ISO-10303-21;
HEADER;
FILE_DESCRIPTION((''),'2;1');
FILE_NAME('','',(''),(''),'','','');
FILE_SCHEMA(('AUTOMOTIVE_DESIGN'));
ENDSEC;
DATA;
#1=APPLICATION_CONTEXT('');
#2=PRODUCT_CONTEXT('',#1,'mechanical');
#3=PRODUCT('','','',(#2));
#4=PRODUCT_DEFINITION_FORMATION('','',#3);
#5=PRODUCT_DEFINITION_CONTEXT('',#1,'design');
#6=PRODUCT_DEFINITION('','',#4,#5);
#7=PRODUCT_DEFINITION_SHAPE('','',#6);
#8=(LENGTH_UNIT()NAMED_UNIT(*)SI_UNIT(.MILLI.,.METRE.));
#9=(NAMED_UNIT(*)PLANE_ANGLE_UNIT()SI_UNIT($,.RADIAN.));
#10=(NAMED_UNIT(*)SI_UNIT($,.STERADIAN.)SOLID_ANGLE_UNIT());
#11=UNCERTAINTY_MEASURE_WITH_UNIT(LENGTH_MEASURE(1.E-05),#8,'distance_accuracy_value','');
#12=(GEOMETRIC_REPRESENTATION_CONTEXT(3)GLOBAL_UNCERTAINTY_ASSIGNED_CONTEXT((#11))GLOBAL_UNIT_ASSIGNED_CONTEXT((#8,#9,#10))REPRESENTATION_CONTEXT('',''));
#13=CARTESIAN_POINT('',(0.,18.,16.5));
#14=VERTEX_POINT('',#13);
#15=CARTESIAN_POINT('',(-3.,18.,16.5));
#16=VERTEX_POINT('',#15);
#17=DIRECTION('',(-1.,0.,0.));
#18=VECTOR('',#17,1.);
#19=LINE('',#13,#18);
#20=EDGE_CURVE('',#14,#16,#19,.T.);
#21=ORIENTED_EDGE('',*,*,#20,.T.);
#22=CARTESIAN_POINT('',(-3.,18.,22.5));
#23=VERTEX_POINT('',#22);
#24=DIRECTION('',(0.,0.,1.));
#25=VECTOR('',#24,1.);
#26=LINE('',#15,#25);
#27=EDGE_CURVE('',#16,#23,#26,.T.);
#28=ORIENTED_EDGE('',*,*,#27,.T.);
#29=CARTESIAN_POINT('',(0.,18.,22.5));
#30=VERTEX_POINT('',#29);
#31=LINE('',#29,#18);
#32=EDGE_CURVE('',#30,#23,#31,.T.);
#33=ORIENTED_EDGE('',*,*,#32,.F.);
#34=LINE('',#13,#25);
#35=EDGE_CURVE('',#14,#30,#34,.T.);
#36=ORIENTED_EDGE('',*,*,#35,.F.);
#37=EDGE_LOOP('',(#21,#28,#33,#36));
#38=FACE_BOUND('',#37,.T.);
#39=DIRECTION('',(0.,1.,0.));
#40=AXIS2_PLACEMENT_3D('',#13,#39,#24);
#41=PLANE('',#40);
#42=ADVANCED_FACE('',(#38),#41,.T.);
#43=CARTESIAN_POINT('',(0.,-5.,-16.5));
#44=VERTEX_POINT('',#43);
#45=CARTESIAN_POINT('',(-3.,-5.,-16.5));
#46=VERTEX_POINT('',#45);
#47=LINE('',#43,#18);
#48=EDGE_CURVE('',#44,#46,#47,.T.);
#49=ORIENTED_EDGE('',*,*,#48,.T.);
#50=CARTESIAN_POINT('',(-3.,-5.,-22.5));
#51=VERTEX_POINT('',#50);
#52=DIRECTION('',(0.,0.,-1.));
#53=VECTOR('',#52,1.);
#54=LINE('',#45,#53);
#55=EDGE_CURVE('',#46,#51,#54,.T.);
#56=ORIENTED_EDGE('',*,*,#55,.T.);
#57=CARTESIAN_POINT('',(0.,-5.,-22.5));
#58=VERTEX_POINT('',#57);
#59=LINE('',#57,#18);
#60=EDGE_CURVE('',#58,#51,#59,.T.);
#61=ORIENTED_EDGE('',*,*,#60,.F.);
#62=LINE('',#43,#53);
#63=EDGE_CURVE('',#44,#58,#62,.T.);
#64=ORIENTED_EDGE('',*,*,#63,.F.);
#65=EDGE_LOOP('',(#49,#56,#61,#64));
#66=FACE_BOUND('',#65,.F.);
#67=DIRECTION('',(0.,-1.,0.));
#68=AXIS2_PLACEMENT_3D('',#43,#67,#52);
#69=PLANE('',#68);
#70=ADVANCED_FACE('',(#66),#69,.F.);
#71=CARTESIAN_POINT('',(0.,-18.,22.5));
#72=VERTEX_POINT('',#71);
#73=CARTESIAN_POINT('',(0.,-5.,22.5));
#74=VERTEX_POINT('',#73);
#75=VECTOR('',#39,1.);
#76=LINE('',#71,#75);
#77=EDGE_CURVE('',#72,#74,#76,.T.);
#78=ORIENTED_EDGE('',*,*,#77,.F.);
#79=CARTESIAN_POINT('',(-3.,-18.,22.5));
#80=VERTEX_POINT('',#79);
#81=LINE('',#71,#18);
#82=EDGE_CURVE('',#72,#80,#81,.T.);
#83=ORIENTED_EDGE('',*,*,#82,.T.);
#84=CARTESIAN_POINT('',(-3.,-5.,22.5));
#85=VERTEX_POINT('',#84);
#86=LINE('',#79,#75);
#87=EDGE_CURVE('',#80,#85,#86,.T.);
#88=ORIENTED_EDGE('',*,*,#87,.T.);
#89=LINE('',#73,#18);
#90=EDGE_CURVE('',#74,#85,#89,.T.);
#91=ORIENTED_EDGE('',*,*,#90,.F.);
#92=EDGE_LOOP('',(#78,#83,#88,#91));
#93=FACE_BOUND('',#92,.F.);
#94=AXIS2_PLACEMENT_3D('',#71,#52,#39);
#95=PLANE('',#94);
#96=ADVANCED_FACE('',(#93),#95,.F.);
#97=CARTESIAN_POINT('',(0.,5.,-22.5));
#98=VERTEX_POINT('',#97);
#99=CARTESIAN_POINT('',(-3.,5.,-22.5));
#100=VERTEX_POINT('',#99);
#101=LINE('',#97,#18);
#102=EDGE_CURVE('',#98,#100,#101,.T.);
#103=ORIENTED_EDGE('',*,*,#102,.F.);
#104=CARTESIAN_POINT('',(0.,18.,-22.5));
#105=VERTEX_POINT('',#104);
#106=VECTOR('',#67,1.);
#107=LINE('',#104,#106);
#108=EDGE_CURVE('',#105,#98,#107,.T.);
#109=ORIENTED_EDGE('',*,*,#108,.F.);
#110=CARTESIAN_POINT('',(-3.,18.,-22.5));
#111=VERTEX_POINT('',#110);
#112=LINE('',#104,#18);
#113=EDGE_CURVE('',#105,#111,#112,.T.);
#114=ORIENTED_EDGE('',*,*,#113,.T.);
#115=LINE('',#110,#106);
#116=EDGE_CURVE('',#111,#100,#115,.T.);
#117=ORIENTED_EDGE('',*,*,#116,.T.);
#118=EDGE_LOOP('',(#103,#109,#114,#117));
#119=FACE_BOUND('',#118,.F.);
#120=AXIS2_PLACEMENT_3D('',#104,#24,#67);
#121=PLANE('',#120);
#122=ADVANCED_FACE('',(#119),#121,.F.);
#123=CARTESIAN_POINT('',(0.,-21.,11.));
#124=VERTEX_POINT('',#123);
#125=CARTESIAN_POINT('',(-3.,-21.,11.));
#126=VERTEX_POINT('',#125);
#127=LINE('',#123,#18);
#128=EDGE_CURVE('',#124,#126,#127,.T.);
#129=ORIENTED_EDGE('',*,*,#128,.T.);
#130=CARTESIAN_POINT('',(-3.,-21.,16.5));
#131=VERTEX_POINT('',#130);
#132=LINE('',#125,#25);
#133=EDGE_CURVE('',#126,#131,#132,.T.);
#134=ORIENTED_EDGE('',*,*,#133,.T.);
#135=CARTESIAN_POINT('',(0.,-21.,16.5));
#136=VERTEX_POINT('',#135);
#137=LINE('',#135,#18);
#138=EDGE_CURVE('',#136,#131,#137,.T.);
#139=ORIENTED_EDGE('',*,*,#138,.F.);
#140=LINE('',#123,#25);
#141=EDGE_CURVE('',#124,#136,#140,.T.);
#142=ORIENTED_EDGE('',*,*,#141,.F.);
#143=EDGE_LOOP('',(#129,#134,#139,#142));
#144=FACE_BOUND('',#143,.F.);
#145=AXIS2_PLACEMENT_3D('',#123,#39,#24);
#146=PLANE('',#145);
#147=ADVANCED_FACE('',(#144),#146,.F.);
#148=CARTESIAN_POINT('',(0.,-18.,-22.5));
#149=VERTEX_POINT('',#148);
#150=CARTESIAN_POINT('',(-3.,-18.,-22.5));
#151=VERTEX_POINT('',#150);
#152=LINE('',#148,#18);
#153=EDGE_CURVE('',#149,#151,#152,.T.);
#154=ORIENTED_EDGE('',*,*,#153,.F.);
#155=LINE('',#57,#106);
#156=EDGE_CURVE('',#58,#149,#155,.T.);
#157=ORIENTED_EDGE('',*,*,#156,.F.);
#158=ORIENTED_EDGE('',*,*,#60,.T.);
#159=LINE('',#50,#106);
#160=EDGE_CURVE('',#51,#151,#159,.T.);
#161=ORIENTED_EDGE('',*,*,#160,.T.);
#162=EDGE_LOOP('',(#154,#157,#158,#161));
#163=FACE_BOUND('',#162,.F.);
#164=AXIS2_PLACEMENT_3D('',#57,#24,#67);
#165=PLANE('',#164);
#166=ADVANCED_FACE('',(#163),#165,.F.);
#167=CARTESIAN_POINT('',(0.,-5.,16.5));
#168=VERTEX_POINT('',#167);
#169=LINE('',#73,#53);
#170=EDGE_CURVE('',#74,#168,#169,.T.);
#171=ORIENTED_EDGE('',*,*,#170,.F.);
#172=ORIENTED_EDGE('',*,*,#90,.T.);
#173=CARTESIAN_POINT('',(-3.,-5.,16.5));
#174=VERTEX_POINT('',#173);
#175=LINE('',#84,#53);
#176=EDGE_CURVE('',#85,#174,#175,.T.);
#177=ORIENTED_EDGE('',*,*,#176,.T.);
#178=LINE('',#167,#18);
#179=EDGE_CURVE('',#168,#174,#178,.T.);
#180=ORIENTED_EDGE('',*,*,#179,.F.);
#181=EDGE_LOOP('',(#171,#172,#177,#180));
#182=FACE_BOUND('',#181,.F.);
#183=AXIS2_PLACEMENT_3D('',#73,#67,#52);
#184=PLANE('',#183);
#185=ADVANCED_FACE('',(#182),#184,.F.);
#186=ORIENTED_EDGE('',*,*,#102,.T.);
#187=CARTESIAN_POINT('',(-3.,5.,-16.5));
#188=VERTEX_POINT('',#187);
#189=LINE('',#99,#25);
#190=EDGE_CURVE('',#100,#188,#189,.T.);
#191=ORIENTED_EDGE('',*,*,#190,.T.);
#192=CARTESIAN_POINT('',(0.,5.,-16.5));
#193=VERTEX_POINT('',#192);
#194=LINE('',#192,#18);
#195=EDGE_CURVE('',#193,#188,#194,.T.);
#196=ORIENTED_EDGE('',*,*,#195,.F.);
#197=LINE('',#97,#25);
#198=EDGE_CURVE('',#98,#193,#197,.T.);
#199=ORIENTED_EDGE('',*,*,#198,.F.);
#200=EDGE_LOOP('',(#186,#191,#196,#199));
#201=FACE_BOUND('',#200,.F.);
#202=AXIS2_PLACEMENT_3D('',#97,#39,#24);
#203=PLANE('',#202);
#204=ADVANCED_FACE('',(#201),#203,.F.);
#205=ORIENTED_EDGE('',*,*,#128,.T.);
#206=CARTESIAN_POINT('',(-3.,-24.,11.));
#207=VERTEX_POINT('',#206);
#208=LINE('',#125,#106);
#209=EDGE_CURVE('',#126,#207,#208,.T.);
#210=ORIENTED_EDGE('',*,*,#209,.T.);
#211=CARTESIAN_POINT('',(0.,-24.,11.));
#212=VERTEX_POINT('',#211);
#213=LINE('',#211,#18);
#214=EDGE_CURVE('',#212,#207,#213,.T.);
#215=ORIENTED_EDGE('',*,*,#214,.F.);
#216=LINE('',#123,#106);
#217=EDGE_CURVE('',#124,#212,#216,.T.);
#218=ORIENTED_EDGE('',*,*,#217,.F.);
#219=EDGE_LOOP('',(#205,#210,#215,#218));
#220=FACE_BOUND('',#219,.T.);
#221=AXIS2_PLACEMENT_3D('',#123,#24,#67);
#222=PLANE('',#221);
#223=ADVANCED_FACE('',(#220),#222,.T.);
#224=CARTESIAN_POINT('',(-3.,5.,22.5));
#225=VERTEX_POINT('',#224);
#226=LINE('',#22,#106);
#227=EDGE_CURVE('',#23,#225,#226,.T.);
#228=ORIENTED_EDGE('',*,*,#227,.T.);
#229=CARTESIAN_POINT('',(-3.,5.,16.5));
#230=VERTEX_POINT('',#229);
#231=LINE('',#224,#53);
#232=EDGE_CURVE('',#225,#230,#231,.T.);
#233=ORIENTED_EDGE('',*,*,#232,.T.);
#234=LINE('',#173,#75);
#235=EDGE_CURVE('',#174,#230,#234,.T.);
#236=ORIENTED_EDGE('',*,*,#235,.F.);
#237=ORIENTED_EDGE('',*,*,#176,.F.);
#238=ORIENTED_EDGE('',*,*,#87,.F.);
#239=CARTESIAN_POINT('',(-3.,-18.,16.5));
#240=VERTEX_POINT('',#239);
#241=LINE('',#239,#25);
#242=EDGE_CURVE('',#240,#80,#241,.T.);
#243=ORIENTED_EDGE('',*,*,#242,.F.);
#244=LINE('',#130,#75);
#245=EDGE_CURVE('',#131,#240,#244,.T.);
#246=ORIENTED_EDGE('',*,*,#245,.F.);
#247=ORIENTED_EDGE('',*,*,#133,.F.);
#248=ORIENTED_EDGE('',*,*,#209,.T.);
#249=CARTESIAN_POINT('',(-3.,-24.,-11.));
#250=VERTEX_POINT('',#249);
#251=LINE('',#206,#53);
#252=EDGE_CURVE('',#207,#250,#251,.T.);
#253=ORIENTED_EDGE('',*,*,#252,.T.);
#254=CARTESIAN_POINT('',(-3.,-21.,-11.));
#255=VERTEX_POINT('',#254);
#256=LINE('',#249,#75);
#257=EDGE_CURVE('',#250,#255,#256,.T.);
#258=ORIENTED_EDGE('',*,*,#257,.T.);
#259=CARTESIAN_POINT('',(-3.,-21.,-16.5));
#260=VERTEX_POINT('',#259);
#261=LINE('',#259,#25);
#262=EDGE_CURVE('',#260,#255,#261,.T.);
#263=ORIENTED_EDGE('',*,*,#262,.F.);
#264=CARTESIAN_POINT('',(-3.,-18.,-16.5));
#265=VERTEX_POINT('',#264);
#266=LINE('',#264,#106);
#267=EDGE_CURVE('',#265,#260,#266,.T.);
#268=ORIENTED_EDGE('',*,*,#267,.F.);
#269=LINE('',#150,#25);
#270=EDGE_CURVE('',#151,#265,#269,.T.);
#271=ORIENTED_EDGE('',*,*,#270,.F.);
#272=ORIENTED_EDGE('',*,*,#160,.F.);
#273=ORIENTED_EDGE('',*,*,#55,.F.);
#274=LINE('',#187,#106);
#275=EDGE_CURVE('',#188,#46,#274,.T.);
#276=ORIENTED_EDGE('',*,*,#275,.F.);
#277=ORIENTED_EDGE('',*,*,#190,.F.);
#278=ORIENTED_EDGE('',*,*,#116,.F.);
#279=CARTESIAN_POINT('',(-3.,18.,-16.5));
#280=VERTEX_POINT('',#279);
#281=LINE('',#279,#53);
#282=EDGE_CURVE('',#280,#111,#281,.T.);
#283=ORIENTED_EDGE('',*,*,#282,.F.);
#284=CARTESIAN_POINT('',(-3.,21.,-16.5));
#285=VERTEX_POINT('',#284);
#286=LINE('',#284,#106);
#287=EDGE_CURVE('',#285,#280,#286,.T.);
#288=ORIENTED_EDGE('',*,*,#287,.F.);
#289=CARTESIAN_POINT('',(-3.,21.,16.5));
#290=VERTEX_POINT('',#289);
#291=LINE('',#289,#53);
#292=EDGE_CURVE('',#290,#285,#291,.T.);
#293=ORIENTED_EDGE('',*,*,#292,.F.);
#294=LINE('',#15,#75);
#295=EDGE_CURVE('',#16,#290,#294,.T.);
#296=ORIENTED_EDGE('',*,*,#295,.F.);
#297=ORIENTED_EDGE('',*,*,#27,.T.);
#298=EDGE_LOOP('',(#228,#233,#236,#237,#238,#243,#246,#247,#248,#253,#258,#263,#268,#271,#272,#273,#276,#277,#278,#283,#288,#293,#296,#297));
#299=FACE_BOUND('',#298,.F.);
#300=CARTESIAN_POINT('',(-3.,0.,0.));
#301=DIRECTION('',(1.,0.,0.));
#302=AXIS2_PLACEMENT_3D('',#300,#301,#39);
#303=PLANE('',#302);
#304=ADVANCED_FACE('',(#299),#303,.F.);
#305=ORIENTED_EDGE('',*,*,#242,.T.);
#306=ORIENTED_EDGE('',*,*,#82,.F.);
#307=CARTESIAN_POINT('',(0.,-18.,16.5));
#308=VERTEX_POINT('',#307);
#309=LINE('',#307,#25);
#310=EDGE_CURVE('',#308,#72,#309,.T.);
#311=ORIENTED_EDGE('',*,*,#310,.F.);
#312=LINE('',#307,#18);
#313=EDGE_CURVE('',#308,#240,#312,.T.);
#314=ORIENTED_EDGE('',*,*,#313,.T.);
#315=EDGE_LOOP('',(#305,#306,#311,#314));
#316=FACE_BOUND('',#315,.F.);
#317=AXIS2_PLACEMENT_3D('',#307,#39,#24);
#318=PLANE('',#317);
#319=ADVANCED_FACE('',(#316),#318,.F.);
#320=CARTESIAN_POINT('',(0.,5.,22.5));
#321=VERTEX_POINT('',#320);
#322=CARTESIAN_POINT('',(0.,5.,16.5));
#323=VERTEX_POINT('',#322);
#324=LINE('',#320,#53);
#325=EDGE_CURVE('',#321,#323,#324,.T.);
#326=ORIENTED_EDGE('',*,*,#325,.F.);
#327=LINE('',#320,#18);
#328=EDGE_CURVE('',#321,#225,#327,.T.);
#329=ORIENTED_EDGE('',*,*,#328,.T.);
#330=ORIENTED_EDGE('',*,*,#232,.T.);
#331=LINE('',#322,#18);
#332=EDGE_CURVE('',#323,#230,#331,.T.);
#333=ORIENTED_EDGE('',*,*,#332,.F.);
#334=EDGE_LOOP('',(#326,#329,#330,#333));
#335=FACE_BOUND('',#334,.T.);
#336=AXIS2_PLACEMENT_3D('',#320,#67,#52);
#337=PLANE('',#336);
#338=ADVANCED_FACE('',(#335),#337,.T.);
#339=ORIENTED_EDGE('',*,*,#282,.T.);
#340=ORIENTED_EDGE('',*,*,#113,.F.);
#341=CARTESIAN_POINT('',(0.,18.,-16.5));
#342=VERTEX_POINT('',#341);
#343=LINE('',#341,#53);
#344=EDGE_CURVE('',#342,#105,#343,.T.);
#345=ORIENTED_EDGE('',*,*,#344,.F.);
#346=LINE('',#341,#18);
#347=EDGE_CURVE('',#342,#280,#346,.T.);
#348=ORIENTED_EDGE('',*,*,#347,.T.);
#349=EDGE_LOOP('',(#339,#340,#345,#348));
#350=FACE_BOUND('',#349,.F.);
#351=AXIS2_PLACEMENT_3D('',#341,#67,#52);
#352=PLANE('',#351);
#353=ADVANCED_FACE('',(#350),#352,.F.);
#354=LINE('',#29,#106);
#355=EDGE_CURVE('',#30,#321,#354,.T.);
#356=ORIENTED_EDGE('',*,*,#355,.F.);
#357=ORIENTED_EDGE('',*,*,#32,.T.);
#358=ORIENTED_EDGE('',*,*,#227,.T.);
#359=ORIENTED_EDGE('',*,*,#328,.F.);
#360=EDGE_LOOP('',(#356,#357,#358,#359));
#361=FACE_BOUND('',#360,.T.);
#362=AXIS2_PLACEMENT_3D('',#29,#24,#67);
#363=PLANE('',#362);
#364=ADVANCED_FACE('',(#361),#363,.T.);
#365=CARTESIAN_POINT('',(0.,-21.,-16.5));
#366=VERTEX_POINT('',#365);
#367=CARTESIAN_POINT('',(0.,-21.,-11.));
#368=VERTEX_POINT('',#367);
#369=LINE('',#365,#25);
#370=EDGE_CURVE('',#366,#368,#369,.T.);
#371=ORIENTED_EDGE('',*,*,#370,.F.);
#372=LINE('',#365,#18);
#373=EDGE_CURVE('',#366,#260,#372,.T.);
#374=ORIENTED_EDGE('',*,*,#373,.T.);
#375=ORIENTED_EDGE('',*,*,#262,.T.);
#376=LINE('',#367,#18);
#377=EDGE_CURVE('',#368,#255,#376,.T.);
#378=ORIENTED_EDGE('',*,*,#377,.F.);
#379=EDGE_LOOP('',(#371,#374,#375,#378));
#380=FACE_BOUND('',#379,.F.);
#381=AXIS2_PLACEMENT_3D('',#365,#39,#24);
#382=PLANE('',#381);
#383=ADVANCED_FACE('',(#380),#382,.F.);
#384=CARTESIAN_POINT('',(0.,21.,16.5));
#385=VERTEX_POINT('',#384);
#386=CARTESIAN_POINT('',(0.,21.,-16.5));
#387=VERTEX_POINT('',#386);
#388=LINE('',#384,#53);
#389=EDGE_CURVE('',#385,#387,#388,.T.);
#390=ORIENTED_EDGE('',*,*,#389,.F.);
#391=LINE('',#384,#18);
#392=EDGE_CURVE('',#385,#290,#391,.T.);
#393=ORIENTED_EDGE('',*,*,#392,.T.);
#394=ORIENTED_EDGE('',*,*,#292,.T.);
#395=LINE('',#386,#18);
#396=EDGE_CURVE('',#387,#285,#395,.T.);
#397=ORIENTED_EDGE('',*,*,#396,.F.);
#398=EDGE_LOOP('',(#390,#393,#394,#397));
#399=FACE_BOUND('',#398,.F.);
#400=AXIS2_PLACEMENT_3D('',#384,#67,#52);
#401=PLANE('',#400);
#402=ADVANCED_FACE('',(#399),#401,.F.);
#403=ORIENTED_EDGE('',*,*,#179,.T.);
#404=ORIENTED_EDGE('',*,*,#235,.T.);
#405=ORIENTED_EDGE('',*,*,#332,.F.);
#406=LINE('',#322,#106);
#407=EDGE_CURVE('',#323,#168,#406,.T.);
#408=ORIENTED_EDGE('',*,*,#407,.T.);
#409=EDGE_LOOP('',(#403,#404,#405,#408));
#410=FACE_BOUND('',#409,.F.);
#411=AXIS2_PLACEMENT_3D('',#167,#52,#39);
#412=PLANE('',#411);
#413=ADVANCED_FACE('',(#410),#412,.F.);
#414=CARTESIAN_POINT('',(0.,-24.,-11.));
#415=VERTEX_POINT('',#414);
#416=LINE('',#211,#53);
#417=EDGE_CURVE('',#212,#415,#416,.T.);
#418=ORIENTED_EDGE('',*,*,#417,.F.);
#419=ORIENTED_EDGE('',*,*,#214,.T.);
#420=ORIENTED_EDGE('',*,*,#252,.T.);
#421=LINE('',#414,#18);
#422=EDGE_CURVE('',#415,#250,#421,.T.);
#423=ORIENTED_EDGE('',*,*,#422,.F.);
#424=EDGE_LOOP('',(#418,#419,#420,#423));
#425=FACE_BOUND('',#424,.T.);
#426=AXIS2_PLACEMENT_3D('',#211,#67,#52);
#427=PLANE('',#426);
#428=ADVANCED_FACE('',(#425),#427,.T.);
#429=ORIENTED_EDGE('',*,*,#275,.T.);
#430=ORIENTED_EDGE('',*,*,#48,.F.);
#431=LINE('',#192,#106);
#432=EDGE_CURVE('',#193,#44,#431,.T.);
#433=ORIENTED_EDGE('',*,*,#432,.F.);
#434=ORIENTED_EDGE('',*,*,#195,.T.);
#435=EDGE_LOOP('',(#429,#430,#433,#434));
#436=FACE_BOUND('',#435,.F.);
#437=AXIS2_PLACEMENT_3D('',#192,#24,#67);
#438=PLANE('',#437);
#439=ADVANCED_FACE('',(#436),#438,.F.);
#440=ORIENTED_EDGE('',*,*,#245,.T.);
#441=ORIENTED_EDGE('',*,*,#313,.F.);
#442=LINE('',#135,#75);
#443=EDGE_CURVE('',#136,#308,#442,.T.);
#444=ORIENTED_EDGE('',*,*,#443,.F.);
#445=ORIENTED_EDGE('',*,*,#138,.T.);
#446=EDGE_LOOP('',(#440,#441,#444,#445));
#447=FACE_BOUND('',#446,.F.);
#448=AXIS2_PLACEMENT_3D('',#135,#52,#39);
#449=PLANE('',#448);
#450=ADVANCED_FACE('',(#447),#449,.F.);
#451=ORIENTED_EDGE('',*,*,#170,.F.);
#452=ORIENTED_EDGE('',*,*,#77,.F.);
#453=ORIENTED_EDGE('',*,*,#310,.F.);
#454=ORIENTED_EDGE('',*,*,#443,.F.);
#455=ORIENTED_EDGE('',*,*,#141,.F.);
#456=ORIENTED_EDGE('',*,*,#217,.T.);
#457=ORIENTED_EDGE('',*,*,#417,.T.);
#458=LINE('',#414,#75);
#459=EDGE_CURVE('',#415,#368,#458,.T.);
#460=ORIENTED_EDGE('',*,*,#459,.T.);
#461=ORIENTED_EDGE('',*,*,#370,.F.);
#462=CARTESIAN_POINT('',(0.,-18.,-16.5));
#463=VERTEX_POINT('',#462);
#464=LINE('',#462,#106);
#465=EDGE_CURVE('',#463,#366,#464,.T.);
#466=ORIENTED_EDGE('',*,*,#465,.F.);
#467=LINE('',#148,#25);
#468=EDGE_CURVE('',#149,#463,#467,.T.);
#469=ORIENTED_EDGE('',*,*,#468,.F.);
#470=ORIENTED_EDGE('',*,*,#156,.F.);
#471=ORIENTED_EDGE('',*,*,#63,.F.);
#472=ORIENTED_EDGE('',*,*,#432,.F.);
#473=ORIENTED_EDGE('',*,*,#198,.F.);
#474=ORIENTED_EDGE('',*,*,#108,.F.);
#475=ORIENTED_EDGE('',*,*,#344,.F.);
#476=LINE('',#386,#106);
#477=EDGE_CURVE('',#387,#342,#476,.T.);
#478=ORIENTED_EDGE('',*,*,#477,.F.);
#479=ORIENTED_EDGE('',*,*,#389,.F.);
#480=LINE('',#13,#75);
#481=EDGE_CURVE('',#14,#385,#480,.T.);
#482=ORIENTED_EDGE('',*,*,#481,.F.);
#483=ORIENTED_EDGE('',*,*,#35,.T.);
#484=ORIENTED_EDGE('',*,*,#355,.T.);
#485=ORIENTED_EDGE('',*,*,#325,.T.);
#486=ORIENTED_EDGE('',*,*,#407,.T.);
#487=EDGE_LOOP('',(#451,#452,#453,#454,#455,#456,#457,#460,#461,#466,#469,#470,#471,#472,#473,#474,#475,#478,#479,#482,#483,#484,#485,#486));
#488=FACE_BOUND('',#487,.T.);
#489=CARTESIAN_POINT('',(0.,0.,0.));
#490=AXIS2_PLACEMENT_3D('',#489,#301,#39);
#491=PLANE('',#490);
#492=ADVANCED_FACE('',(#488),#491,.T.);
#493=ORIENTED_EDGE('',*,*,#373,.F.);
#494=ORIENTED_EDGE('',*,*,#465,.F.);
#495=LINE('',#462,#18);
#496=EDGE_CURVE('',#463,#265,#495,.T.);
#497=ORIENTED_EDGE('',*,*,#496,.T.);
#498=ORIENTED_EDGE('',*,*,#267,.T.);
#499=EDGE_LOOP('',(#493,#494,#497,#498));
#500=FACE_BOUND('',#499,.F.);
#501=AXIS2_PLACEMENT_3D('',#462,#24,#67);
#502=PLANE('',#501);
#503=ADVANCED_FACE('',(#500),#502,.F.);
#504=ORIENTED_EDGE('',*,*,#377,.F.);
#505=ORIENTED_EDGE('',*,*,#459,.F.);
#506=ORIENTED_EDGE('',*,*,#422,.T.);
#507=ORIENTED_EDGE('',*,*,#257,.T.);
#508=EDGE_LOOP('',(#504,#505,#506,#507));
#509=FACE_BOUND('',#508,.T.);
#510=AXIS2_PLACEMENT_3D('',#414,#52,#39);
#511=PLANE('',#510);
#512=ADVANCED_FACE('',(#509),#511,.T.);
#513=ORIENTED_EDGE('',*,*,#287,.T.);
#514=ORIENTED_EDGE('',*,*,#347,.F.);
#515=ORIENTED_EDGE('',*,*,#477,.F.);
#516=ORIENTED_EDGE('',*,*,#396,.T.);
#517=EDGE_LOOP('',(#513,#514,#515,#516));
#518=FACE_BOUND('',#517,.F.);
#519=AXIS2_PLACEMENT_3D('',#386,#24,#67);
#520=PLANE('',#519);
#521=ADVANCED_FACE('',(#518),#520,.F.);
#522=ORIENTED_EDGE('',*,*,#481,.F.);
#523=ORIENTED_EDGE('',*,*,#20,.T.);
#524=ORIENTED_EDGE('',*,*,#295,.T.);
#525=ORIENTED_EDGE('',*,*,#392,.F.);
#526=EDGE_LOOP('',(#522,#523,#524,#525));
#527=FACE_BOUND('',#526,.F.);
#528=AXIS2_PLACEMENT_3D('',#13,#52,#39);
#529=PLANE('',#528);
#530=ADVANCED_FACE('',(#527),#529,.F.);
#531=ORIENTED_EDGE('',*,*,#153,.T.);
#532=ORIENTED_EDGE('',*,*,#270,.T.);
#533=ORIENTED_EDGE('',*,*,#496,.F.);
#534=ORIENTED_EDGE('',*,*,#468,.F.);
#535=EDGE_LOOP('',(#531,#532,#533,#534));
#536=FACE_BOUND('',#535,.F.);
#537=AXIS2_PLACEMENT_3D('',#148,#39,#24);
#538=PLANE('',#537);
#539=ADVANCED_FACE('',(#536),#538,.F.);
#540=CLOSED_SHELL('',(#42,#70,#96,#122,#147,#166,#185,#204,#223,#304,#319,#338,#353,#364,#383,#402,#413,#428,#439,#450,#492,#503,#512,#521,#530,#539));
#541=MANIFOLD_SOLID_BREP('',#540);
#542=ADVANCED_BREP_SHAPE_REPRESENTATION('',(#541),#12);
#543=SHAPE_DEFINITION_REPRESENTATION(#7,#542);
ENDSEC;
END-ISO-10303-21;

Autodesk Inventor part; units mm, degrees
ref_plane "YZ Plane" through (0, 0, 0) normal (1, 0, 0) x (0, 1, 0)
ref_plane "XZ Plane" through (0, 0, 0) normal (0, 1, 0) x (-1, 0, 0)
ref_plane "XY Plane" through (0, 0, 0) normal (0, 0, 1) x (1, 0, 0)
sketch "Sketch2" plane through (0, 0, 0) normal (1, 0, 0) x (0, 1, 0)
  line L0 (21, -16.5) -> (18, -16.5)
  line L1 (-21, -16.5) -> (-21, -11)
  line L2 (-21, 16.5) -> (-18, 16.5)
  line L3 (21, 16.5) -> (21, -16.5)
  line L4 (21, -16.5) -> (-21, 16.5) construction
  line L5 (-21, -16.5) -> (21, 16.5) construction
  line L6 (0, -31.5) -> (0, 31.5) construction
  line L7 (-33, 0) -> (30, 0) construction
  line L8 (18, 16.5) -> (18, 22.5)
  line L9 (18, 22.5) -> (5, 22.5)
  line L10 (5, 22.5) -> (5, 16.5)
  line L11 (18, 16.5) -> (21, 16.5)
  line L12 (5, 16.5) -> (18, 16.5)
  line L13 (0, 16.5) -> (5, 16.5)
  line L14 (-18, 16.5) -> (-18, 22.5)
  line L15 (-18, 22.5) -> (-5, 22.5)
  line L16 (-5, 22.5) -> (-5, 16.5)
  line L17 (18, -16.5) -> (5, -16.5)
  line L18 (5, -16.5) -> (-5, -16.5)
  line L19 (-5, -16.5) -> (-18, -16.5)
  line L20 (-18, -16.5) -> (-21, -16.5)
  line L21 (-18, 16.5) -> (-5, 16.5)
  line L22 (-5, 16.5) -> (0, 16.5)
  line L23 (-21, 11) -> (-24, 11)
  line L24 (-24, 11) -> (-24, -11)
  line L25 (-24, -11) -> (-21, -11)
  line L26 (-21, 11) -> (-21, 16.5)
  line L27 (-21, -11) -> (-21, 11)
  line L28 (18, -16.5) -> (18, -22.5)
  line L29 (18, -22.5) -> (5, -22.5)
  line L30 (5, -22.5) -> (5, -16.5)
  line L31 (-5, -16.5) -> (-5, -22.5)
  line L32 (-5, -22.5) -> (-18, -22.5)
  line L33 (-18, -22.5) -> (-18, -16.5)
  point P0 (0, 0)
  dimension "d4" = 42
  dimension "d5" = 33
  dimension "d9" = 6
  dimension "d11" = 3
  dimension "d12" = 22
  dimension "d13" = 6
  dimension "d16" = 3
  dimension "d17" = 5
extrude "Extrusion2" add sketch "Sketch2" against normal blind 3
equation "\"d12\" = 0.666667 * d5"
properties part number "X-Motor-Housing_Motor-Side"
